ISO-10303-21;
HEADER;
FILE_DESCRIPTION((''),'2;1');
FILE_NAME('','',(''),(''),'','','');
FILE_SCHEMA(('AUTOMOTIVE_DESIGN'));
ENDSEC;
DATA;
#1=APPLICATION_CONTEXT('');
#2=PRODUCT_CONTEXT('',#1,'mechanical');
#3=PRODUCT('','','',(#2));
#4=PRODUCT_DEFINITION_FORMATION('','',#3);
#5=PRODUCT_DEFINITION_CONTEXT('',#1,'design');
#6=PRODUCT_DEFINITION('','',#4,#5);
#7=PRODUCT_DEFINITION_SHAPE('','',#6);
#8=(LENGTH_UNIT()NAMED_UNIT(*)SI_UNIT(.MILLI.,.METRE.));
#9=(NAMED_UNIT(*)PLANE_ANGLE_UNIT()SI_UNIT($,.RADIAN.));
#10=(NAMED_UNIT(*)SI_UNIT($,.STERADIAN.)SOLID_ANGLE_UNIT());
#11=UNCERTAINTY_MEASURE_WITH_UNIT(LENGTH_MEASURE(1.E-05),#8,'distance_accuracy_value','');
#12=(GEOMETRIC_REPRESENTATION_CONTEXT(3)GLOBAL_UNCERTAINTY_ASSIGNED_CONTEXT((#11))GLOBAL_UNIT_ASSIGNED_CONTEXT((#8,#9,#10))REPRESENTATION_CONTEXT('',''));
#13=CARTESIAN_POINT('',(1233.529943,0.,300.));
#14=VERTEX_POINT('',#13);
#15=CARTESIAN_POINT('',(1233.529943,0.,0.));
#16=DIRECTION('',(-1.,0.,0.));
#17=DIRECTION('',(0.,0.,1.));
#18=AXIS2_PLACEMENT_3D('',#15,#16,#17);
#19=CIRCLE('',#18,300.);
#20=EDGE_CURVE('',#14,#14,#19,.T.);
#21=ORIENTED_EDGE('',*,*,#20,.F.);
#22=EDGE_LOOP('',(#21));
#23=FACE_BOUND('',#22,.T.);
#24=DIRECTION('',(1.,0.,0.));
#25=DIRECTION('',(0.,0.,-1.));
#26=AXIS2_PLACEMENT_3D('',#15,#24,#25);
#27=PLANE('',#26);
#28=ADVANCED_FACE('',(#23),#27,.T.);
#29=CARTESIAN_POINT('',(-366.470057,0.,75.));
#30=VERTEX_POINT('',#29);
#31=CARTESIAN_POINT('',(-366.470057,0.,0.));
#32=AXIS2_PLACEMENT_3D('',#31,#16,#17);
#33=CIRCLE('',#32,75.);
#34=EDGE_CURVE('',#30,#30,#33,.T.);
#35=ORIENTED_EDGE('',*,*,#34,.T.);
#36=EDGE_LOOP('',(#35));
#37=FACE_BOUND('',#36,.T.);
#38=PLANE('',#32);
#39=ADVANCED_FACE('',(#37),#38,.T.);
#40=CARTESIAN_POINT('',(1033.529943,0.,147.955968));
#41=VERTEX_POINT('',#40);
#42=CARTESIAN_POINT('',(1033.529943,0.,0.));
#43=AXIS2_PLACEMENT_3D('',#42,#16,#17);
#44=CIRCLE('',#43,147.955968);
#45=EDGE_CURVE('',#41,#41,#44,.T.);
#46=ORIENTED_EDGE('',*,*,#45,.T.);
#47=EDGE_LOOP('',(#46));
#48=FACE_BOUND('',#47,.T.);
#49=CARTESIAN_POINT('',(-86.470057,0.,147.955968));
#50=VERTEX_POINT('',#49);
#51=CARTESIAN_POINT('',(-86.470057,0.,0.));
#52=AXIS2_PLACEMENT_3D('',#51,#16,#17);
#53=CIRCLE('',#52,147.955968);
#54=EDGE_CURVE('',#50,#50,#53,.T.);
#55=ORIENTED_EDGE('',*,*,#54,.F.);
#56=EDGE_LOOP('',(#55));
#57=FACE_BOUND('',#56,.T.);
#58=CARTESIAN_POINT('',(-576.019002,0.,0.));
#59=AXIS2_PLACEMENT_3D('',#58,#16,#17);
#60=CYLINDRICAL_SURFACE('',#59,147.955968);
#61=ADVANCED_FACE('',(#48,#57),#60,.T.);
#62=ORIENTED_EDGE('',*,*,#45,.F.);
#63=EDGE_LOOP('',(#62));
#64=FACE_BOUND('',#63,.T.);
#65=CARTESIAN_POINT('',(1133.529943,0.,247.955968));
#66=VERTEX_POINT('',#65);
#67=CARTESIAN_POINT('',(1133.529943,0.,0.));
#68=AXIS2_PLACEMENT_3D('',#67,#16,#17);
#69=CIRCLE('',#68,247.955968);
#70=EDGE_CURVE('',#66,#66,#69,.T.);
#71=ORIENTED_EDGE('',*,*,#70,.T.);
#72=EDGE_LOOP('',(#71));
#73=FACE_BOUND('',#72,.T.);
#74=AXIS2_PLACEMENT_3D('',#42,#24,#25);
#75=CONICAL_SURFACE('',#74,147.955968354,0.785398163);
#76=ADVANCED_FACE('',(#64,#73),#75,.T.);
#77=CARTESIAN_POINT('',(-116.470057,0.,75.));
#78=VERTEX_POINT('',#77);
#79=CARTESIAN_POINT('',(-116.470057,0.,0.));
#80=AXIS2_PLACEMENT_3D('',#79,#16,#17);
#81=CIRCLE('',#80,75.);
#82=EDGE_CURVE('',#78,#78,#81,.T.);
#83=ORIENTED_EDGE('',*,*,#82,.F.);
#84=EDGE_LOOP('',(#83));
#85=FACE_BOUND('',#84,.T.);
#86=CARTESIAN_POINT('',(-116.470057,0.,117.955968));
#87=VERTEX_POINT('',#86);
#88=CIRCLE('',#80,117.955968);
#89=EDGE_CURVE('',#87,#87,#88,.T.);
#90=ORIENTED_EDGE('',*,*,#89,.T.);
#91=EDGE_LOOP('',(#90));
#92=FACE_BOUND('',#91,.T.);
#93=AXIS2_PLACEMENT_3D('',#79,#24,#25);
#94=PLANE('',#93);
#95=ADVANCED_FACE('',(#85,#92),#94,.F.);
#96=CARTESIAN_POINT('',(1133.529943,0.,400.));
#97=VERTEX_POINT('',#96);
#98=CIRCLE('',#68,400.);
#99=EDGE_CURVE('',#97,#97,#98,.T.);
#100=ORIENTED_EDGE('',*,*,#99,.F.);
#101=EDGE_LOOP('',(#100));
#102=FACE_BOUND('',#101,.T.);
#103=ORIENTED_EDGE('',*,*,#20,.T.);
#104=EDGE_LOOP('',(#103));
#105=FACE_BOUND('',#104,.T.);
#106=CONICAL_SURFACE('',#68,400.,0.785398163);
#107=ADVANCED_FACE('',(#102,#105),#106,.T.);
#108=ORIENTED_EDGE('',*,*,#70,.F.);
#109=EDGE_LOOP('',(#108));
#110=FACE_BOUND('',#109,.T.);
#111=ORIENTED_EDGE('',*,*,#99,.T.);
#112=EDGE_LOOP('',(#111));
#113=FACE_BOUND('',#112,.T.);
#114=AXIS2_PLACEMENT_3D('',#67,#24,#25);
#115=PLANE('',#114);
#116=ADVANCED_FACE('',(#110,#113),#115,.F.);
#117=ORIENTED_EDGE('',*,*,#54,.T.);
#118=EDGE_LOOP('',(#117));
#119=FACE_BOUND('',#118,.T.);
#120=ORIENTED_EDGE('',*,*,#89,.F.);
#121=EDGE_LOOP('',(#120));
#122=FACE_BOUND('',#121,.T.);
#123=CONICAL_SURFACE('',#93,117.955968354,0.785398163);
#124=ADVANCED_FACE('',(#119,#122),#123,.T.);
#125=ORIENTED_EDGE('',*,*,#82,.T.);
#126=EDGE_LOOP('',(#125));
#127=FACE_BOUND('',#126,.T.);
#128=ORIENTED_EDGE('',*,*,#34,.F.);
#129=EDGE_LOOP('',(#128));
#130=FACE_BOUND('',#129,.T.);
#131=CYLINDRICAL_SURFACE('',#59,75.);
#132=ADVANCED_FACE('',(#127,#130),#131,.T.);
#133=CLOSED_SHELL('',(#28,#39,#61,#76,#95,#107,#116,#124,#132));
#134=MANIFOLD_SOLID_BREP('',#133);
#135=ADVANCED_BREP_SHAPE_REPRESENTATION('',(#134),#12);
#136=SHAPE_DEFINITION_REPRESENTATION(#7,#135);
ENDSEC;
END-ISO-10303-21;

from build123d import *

# Parameters (mm, degrees)
ESQUISSE1_W   = 1120
ESQUISSE1_H   = 147.955968354
ESQUISSE1_W_2 = 250
ESQUISSE1_H_2 = 75


with BuildPart() as part:
    # Esquisse1 → Révolution1 (revolve)
    with BuildSketch(Plane.XY, mode=Mode.PRIVATE) as r_volution1_sk:
        with Locations((473.529943231, -73.977984177)):
            Rectangle(ESQUISSE1_W, ESQUISSE1_H)
        with Locations((-241.470056769, -37.5)):
            Rectangle(ESQUISSE1_W_2, ESQUISSE1_H_2)
        Polygon((-86.470056769, -147.955968354), (-86.470056769, 0), (-116.470056769, 0), (-116.470056769, -75), (-116.470056769, -117.955968354), align=None)
        Polygon((1133.529943231, -247.955968354), (1133.529943231, 0), (1033.529943231, 0), (1033.529943231, -147.955968354), align=None)
        Polygon((1233.529943231, -300), (1233.529943231, 0), (1133.529943231, 0), (1133.529943231, -247.955968354), (1133.529943231, -400), align=None)
    revolve(r_volution1_sk.sketch.rotate(Axis((-576.0190019, 0, 0), (1, 0, 0)), 270), axis=Axis((-576.0190019, 0, 0), (1, 0, 0)))


solid = part.part
